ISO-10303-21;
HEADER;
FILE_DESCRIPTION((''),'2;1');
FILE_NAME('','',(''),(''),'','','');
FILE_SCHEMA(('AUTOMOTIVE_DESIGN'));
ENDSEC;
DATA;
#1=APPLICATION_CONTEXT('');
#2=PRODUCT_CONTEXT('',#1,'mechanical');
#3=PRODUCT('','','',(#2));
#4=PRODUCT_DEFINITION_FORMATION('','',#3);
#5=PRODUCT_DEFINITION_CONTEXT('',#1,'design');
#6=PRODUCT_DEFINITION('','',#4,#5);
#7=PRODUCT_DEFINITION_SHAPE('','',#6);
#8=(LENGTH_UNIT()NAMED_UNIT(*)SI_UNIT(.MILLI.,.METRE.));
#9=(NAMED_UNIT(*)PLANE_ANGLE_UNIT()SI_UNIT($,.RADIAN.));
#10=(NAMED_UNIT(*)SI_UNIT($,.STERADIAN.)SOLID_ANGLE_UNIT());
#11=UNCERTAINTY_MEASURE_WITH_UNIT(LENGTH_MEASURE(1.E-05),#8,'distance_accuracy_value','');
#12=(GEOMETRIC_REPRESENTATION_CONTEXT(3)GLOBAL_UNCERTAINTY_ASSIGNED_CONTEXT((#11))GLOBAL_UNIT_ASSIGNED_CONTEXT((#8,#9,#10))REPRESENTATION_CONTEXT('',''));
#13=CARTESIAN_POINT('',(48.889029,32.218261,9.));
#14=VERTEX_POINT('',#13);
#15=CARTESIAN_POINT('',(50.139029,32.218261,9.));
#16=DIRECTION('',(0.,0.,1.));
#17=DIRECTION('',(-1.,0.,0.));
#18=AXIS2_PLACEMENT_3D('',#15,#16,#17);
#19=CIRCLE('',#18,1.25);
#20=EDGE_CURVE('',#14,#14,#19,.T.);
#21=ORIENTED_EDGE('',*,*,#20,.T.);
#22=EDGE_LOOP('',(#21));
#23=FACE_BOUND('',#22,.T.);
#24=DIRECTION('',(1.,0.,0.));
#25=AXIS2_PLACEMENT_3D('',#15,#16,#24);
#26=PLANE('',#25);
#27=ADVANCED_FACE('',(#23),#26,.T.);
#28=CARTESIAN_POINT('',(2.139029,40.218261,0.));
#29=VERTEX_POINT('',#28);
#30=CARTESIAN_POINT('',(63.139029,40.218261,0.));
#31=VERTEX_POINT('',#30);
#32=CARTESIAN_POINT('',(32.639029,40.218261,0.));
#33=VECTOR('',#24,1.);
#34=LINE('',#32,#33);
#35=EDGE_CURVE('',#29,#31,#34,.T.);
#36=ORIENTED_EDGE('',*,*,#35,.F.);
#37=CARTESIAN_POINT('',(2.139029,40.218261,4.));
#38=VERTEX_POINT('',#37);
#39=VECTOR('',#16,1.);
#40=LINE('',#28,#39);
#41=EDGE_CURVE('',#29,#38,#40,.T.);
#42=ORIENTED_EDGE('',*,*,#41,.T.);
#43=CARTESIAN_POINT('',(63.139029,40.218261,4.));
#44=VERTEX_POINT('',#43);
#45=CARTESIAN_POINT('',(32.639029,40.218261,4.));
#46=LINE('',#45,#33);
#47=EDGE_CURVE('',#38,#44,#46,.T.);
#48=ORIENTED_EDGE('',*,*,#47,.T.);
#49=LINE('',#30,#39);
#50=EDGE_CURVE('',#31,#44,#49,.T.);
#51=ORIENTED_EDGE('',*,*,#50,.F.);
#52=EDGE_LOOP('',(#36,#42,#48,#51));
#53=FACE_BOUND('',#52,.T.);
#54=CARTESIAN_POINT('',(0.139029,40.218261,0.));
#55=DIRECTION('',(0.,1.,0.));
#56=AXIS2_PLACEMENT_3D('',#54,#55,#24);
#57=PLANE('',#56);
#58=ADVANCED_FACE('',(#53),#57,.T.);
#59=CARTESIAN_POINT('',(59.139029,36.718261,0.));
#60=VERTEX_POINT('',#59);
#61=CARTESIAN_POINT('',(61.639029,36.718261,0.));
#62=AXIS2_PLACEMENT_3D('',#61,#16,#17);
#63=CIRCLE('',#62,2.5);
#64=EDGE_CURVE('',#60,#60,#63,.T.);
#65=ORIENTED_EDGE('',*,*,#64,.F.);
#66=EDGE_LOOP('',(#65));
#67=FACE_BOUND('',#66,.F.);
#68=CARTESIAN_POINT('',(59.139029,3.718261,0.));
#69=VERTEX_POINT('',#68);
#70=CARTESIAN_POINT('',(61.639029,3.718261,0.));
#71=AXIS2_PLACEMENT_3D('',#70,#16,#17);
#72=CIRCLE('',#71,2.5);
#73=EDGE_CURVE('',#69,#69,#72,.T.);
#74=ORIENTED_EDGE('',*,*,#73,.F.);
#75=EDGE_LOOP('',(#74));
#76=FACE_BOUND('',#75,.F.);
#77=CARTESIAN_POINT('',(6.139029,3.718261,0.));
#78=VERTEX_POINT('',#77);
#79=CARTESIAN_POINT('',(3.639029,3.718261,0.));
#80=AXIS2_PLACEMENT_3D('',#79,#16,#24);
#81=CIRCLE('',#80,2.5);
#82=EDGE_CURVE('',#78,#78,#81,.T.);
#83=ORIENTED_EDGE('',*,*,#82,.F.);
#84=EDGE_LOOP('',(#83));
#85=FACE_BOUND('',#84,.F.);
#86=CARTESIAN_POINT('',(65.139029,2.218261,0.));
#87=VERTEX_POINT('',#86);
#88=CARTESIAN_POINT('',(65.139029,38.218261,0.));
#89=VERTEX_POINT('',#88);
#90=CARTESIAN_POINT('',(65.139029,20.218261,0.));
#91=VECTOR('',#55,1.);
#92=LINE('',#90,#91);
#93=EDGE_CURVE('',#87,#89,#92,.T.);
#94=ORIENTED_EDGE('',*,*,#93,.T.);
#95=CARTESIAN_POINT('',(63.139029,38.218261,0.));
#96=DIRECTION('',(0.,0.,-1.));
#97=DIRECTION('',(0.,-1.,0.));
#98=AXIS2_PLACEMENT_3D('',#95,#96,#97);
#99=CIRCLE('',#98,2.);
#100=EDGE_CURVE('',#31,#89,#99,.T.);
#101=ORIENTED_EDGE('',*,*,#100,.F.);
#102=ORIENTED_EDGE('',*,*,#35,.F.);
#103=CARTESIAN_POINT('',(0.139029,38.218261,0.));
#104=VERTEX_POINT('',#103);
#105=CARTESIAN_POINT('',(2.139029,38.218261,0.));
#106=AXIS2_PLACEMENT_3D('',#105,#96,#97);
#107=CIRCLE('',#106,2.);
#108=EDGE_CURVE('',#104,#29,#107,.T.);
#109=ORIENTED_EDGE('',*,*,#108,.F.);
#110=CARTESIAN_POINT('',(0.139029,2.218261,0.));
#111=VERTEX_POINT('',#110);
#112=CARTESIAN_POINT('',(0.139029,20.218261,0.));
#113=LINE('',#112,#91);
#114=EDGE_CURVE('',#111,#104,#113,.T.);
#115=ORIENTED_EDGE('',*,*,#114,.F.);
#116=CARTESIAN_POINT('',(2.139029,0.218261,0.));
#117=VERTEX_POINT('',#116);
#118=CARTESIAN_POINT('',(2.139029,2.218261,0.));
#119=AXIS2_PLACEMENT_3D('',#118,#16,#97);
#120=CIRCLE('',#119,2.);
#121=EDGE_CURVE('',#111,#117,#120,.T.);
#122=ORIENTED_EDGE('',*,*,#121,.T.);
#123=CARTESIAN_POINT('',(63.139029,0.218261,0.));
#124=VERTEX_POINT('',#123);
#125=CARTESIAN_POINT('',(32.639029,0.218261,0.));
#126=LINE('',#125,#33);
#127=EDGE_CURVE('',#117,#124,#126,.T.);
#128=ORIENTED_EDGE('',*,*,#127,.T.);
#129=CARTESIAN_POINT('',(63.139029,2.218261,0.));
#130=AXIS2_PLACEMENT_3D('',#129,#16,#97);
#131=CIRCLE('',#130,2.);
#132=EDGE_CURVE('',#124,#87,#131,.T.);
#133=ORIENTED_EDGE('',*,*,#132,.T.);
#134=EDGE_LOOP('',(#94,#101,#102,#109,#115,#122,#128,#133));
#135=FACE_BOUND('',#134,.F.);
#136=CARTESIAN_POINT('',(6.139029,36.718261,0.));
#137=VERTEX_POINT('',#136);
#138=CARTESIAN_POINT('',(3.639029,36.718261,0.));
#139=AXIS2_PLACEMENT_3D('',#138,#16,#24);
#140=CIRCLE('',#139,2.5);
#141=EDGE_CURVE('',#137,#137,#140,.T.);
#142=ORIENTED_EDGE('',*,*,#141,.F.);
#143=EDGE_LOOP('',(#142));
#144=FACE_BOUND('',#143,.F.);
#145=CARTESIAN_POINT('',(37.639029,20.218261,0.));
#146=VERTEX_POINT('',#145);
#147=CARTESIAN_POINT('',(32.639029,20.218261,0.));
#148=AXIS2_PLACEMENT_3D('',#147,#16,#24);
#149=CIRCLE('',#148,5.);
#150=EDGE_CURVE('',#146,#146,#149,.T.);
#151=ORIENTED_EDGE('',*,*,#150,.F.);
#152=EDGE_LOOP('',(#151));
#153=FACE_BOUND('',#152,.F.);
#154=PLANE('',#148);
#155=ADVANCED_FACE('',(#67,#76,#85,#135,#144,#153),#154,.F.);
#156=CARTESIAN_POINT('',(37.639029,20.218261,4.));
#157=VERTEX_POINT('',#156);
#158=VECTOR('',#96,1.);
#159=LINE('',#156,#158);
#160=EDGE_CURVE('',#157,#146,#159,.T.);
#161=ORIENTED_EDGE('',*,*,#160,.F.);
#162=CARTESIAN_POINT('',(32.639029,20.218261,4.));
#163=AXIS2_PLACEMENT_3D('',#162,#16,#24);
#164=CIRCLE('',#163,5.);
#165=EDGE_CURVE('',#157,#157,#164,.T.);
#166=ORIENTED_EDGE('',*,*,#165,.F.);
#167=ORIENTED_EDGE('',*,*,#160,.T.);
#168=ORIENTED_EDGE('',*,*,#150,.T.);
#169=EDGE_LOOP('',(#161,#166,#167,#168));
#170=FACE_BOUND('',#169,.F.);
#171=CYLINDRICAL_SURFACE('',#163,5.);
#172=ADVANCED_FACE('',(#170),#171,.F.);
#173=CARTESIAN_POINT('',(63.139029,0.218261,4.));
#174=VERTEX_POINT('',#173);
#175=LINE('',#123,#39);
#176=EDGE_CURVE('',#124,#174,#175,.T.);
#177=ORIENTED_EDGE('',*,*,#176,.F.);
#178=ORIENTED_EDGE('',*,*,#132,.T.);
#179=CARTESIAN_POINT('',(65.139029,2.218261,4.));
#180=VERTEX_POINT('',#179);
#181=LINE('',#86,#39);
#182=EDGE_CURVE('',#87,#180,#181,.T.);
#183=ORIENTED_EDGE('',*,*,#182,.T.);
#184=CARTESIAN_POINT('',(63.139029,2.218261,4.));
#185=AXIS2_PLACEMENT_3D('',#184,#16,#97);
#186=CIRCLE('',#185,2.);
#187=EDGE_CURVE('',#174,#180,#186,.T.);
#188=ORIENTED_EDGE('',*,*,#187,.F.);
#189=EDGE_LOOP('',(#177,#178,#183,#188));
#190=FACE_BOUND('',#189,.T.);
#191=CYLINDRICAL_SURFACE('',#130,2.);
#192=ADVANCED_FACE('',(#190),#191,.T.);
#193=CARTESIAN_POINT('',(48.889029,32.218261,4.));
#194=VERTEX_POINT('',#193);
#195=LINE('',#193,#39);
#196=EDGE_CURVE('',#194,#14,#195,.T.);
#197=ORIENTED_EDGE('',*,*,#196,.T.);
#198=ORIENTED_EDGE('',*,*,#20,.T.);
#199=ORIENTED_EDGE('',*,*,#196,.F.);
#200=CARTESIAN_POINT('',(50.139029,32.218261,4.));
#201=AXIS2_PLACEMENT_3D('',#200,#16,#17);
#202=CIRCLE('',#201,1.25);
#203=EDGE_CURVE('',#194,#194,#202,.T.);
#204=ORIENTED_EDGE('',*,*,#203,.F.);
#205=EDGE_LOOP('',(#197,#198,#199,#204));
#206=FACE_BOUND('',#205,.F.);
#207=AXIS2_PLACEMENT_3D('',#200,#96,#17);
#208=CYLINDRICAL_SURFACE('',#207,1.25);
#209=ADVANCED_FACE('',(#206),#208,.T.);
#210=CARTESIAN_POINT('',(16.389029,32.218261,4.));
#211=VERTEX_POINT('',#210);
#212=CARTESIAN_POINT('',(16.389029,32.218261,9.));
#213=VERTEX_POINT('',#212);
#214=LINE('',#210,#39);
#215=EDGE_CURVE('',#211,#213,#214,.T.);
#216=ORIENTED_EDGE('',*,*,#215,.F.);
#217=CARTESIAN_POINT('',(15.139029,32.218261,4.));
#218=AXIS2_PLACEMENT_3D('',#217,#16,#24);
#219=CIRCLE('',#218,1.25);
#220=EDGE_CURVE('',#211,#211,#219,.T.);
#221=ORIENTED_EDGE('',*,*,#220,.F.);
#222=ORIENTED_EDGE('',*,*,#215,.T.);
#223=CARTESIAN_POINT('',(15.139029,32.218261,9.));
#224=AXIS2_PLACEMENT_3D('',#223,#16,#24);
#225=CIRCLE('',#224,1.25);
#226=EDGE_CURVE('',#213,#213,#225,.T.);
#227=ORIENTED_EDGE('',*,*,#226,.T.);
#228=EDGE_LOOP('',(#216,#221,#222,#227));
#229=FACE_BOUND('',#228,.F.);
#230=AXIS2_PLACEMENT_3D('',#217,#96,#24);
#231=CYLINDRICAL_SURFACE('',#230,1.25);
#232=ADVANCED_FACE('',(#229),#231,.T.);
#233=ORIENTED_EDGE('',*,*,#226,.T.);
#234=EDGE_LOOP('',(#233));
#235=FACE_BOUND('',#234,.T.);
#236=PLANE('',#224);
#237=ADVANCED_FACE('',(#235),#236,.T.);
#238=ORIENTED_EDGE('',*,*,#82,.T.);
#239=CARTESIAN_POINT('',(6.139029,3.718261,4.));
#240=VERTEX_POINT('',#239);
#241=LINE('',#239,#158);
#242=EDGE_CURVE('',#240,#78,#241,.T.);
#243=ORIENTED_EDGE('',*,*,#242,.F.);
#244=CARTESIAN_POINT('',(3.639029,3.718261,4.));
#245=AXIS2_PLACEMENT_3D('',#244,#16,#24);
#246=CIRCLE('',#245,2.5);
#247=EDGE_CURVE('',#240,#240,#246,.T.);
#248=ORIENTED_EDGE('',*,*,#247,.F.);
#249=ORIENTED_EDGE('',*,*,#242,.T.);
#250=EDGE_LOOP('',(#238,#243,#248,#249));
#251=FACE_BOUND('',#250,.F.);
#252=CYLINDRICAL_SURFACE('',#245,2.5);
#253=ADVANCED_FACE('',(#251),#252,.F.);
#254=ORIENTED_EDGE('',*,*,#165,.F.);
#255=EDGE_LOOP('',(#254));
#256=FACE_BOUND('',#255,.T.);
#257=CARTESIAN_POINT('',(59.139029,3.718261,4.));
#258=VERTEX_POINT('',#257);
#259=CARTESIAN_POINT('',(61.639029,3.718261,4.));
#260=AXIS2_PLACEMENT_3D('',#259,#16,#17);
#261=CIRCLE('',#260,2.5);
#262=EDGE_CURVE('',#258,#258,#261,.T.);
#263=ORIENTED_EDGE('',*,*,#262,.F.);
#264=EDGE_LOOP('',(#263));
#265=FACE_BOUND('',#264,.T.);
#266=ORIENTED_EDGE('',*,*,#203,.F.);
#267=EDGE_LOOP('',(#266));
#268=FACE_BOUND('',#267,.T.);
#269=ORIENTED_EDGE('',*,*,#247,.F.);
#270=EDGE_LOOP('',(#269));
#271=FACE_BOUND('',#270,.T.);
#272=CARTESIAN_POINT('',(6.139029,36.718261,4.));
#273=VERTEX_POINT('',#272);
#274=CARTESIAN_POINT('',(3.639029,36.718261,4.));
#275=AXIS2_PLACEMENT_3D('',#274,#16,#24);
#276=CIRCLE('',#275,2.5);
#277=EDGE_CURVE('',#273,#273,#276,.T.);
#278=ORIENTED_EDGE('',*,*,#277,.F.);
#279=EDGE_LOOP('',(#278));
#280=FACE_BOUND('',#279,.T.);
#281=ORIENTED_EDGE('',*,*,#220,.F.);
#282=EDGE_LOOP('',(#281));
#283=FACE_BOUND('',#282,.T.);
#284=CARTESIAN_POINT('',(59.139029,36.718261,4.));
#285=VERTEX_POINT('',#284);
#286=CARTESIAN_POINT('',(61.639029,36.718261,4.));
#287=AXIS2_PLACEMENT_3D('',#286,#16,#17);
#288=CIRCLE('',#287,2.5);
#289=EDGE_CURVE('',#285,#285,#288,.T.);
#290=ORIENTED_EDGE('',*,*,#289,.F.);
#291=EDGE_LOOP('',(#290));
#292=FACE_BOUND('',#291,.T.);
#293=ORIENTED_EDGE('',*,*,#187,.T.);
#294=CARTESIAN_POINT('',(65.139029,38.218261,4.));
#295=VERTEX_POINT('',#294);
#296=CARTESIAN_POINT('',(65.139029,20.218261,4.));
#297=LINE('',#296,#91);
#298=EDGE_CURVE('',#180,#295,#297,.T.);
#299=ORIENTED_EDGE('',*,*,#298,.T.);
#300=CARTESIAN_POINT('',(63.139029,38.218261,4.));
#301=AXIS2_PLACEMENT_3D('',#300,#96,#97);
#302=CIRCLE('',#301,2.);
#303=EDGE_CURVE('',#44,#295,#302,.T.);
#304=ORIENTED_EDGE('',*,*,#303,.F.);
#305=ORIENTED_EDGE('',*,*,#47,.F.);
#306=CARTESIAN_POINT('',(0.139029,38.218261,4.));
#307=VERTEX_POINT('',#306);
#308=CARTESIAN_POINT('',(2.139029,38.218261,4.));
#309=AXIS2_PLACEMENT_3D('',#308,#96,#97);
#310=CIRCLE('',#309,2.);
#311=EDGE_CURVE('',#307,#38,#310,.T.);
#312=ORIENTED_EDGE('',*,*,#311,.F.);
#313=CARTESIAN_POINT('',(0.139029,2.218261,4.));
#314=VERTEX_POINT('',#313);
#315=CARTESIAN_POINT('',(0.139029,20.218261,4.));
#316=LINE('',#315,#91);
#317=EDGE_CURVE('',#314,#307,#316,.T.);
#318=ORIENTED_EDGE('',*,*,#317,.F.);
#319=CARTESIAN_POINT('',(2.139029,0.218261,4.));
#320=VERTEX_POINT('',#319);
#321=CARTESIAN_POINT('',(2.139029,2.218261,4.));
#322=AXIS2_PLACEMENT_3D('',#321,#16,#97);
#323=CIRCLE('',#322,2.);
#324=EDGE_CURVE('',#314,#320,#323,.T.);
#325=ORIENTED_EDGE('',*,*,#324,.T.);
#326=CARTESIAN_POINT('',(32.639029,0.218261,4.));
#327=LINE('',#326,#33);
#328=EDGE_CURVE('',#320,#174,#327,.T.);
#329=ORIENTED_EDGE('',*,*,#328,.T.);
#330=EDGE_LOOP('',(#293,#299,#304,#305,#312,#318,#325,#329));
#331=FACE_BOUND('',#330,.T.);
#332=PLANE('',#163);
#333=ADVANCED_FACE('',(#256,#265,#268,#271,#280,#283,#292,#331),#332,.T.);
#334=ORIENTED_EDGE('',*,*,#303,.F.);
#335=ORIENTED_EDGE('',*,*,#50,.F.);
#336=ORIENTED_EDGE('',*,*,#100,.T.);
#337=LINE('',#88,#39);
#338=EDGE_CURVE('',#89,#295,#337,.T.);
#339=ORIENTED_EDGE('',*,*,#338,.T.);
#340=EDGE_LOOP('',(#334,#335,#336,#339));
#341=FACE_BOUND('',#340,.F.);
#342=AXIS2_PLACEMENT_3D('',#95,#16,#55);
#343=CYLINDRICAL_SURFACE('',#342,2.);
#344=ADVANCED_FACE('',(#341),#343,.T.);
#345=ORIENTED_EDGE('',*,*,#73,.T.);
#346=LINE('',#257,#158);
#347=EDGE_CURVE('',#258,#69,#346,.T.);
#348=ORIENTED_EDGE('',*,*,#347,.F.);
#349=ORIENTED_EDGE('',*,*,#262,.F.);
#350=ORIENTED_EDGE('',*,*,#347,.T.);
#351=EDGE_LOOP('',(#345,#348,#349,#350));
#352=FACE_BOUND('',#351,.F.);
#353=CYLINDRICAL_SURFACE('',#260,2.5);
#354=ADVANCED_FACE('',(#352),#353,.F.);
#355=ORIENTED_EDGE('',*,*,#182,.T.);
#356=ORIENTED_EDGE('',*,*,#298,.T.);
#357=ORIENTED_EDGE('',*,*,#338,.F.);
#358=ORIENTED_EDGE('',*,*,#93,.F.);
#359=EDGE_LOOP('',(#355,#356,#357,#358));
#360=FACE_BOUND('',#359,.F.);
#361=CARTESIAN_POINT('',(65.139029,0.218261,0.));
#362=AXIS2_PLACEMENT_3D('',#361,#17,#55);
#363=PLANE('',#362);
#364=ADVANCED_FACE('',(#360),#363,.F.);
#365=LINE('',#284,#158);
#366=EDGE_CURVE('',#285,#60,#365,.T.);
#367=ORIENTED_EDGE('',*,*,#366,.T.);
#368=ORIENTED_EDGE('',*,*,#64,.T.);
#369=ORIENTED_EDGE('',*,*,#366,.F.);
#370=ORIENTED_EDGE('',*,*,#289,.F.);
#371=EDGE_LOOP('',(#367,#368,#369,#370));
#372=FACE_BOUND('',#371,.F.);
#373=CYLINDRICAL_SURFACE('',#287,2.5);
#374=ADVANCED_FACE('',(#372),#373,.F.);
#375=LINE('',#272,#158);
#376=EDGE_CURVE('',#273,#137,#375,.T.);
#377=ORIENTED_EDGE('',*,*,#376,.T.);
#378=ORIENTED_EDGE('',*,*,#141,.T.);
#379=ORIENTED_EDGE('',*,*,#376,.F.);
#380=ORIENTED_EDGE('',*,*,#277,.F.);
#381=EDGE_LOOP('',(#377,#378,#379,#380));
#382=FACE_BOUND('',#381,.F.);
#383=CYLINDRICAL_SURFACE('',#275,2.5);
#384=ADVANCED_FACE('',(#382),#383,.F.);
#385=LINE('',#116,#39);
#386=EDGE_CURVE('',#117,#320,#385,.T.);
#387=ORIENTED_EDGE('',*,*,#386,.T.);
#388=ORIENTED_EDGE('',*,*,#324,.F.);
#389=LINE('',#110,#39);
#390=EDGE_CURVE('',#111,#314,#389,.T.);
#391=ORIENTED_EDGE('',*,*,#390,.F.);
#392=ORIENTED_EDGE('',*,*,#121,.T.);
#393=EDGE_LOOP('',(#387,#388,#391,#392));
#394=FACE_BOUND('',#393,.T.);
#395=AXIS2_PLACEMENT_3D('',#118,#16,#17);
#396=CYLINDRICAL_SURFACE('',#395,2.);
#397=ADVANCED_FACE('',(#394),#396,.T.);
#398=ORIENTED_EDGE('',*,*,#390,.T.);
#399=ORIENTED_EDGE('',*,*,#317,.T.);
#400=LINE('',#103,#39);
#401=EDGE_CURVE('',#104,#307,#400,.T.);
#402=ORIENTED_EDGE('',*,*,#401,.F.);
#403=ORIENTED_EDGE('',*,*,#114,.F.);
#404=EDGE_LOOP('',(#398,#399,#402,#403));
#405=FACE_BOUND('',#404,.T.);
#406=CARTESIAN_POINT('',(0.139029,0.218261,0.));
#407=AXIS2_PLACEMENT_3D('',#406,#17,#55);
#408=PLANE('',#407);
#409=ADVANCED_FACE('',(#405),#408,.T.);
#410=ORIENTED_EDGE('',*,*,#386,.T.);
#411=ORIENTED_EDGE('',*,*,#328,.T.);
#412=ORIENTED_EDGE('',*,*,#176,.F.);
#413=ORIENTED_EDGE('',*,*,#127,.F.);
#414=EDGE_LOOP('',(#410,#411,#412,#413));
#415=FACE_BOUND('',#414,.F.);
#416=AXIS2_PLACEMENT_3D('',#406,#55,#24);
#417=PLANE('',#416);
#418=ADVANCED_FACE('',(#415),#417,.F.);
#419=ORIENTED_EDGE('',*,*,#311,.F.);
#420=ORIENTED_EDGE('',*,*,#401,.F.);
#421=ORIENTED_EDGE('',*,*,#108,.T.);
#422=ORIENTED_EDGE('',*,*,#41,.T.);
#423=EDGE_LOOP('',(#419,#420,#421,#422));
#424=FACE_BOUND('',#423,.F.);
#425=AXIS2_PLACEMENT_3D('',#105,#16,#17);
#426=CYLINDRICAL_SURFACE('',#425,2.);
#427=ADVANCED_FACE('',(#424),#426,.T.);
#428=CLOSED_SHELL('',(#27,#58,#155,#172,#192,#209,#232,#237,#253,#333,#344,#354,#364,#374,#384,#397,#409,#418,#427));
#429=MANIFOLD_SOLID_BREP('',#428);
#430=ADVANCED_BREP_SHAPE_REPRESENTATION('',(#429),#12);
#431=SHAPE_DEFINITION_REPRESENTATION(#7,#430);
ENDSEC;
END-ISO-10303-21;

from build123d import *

# Parameters (mm, degrees)
F0_W     = 65
F0_H     = 40
F1_DEPTH = 4
F2_R     = 5
F3_DEPTH = 25
F4_R     = 1.25
F5_DEPTH = 5
F6_R     = 2
F7_R     = 2.5
F8_DEPTH = 25


with BuildPart() as f1:
    # F0 (on Top) → F1 (new body)
    with BuildSketch(Plane.XY):
        with Locations((32.639029, 20.218261)):
            Rectangle(F0_W, F0_H)
    extrude(amount=F1_DEPTH)

    # F2 (on face) → F3 (cut)
    with BuildSketch(Plane.XY.offset(4)):
        with Locations((32.639029, 20.218261)):
            Circle(F2_R)
    extrude(amount=-F3_DEPTH, mode=Mode.SUBTRACT)

    # F4 (on face) → F5 (join)
    with BuildSketch(Plane.XY.offset(4)):
        with BuildLine():
            ThreePointArc((51.389029, 32.218261), (50.139029, 33.468261), (48.889029, 32.218261))
            ThreePointArc((48.889029, 32.218261), (50.139029, 30.968261), (51.389029, 32.218261))
        make_face()
        with Locations((15.139029, 32.218261)):
            Circle(F4_R)
    extrude(amount=F5_DEPTH)

    # F6
    f6_edges = [f1.edges().sort_by_distance(p)[0] for p in [
        (0.139029, 0.218261, 2),
        (65.139029, 0.218261, 2),
        (65.139029, 40.218261, 2),
        (0.139029, 40.218261, 2),
    ]]
    fillet(f6_edges, radius=F6_R)

    # F7 (on face) → F8 (cut)
    with BuildSketch(Plane.XY.offset(4)):
        with Locations((3.639029, 36.718261)):
            Circle(F7_R)
        with Locations((3.639029, 3.718261)):
            Circle(F7_R)
        with BuildLine():
            ThreePointArc((64.139029, 3.718261), (61.639029, 6.218261), (59.139029, 3.718261))
            ThreePointArc((59.139029, 3.718261), (61.639029, 1.218261), (64.139029, 3.718261))
        make_face()
        with BuildLine():
            ThreePointArc((64.139029, 36.718261), (61.639029, 39.218261), (59.139029, 36.718261))
            ThreePointArc((59.139029, 36.718261), (61.639029, 34.218261), (64.139029, 36.718261))
        make_face()
    extrude(amount=-F8_DEPTH, mode=Mode.SUBTRACT)


solid = f1.part
